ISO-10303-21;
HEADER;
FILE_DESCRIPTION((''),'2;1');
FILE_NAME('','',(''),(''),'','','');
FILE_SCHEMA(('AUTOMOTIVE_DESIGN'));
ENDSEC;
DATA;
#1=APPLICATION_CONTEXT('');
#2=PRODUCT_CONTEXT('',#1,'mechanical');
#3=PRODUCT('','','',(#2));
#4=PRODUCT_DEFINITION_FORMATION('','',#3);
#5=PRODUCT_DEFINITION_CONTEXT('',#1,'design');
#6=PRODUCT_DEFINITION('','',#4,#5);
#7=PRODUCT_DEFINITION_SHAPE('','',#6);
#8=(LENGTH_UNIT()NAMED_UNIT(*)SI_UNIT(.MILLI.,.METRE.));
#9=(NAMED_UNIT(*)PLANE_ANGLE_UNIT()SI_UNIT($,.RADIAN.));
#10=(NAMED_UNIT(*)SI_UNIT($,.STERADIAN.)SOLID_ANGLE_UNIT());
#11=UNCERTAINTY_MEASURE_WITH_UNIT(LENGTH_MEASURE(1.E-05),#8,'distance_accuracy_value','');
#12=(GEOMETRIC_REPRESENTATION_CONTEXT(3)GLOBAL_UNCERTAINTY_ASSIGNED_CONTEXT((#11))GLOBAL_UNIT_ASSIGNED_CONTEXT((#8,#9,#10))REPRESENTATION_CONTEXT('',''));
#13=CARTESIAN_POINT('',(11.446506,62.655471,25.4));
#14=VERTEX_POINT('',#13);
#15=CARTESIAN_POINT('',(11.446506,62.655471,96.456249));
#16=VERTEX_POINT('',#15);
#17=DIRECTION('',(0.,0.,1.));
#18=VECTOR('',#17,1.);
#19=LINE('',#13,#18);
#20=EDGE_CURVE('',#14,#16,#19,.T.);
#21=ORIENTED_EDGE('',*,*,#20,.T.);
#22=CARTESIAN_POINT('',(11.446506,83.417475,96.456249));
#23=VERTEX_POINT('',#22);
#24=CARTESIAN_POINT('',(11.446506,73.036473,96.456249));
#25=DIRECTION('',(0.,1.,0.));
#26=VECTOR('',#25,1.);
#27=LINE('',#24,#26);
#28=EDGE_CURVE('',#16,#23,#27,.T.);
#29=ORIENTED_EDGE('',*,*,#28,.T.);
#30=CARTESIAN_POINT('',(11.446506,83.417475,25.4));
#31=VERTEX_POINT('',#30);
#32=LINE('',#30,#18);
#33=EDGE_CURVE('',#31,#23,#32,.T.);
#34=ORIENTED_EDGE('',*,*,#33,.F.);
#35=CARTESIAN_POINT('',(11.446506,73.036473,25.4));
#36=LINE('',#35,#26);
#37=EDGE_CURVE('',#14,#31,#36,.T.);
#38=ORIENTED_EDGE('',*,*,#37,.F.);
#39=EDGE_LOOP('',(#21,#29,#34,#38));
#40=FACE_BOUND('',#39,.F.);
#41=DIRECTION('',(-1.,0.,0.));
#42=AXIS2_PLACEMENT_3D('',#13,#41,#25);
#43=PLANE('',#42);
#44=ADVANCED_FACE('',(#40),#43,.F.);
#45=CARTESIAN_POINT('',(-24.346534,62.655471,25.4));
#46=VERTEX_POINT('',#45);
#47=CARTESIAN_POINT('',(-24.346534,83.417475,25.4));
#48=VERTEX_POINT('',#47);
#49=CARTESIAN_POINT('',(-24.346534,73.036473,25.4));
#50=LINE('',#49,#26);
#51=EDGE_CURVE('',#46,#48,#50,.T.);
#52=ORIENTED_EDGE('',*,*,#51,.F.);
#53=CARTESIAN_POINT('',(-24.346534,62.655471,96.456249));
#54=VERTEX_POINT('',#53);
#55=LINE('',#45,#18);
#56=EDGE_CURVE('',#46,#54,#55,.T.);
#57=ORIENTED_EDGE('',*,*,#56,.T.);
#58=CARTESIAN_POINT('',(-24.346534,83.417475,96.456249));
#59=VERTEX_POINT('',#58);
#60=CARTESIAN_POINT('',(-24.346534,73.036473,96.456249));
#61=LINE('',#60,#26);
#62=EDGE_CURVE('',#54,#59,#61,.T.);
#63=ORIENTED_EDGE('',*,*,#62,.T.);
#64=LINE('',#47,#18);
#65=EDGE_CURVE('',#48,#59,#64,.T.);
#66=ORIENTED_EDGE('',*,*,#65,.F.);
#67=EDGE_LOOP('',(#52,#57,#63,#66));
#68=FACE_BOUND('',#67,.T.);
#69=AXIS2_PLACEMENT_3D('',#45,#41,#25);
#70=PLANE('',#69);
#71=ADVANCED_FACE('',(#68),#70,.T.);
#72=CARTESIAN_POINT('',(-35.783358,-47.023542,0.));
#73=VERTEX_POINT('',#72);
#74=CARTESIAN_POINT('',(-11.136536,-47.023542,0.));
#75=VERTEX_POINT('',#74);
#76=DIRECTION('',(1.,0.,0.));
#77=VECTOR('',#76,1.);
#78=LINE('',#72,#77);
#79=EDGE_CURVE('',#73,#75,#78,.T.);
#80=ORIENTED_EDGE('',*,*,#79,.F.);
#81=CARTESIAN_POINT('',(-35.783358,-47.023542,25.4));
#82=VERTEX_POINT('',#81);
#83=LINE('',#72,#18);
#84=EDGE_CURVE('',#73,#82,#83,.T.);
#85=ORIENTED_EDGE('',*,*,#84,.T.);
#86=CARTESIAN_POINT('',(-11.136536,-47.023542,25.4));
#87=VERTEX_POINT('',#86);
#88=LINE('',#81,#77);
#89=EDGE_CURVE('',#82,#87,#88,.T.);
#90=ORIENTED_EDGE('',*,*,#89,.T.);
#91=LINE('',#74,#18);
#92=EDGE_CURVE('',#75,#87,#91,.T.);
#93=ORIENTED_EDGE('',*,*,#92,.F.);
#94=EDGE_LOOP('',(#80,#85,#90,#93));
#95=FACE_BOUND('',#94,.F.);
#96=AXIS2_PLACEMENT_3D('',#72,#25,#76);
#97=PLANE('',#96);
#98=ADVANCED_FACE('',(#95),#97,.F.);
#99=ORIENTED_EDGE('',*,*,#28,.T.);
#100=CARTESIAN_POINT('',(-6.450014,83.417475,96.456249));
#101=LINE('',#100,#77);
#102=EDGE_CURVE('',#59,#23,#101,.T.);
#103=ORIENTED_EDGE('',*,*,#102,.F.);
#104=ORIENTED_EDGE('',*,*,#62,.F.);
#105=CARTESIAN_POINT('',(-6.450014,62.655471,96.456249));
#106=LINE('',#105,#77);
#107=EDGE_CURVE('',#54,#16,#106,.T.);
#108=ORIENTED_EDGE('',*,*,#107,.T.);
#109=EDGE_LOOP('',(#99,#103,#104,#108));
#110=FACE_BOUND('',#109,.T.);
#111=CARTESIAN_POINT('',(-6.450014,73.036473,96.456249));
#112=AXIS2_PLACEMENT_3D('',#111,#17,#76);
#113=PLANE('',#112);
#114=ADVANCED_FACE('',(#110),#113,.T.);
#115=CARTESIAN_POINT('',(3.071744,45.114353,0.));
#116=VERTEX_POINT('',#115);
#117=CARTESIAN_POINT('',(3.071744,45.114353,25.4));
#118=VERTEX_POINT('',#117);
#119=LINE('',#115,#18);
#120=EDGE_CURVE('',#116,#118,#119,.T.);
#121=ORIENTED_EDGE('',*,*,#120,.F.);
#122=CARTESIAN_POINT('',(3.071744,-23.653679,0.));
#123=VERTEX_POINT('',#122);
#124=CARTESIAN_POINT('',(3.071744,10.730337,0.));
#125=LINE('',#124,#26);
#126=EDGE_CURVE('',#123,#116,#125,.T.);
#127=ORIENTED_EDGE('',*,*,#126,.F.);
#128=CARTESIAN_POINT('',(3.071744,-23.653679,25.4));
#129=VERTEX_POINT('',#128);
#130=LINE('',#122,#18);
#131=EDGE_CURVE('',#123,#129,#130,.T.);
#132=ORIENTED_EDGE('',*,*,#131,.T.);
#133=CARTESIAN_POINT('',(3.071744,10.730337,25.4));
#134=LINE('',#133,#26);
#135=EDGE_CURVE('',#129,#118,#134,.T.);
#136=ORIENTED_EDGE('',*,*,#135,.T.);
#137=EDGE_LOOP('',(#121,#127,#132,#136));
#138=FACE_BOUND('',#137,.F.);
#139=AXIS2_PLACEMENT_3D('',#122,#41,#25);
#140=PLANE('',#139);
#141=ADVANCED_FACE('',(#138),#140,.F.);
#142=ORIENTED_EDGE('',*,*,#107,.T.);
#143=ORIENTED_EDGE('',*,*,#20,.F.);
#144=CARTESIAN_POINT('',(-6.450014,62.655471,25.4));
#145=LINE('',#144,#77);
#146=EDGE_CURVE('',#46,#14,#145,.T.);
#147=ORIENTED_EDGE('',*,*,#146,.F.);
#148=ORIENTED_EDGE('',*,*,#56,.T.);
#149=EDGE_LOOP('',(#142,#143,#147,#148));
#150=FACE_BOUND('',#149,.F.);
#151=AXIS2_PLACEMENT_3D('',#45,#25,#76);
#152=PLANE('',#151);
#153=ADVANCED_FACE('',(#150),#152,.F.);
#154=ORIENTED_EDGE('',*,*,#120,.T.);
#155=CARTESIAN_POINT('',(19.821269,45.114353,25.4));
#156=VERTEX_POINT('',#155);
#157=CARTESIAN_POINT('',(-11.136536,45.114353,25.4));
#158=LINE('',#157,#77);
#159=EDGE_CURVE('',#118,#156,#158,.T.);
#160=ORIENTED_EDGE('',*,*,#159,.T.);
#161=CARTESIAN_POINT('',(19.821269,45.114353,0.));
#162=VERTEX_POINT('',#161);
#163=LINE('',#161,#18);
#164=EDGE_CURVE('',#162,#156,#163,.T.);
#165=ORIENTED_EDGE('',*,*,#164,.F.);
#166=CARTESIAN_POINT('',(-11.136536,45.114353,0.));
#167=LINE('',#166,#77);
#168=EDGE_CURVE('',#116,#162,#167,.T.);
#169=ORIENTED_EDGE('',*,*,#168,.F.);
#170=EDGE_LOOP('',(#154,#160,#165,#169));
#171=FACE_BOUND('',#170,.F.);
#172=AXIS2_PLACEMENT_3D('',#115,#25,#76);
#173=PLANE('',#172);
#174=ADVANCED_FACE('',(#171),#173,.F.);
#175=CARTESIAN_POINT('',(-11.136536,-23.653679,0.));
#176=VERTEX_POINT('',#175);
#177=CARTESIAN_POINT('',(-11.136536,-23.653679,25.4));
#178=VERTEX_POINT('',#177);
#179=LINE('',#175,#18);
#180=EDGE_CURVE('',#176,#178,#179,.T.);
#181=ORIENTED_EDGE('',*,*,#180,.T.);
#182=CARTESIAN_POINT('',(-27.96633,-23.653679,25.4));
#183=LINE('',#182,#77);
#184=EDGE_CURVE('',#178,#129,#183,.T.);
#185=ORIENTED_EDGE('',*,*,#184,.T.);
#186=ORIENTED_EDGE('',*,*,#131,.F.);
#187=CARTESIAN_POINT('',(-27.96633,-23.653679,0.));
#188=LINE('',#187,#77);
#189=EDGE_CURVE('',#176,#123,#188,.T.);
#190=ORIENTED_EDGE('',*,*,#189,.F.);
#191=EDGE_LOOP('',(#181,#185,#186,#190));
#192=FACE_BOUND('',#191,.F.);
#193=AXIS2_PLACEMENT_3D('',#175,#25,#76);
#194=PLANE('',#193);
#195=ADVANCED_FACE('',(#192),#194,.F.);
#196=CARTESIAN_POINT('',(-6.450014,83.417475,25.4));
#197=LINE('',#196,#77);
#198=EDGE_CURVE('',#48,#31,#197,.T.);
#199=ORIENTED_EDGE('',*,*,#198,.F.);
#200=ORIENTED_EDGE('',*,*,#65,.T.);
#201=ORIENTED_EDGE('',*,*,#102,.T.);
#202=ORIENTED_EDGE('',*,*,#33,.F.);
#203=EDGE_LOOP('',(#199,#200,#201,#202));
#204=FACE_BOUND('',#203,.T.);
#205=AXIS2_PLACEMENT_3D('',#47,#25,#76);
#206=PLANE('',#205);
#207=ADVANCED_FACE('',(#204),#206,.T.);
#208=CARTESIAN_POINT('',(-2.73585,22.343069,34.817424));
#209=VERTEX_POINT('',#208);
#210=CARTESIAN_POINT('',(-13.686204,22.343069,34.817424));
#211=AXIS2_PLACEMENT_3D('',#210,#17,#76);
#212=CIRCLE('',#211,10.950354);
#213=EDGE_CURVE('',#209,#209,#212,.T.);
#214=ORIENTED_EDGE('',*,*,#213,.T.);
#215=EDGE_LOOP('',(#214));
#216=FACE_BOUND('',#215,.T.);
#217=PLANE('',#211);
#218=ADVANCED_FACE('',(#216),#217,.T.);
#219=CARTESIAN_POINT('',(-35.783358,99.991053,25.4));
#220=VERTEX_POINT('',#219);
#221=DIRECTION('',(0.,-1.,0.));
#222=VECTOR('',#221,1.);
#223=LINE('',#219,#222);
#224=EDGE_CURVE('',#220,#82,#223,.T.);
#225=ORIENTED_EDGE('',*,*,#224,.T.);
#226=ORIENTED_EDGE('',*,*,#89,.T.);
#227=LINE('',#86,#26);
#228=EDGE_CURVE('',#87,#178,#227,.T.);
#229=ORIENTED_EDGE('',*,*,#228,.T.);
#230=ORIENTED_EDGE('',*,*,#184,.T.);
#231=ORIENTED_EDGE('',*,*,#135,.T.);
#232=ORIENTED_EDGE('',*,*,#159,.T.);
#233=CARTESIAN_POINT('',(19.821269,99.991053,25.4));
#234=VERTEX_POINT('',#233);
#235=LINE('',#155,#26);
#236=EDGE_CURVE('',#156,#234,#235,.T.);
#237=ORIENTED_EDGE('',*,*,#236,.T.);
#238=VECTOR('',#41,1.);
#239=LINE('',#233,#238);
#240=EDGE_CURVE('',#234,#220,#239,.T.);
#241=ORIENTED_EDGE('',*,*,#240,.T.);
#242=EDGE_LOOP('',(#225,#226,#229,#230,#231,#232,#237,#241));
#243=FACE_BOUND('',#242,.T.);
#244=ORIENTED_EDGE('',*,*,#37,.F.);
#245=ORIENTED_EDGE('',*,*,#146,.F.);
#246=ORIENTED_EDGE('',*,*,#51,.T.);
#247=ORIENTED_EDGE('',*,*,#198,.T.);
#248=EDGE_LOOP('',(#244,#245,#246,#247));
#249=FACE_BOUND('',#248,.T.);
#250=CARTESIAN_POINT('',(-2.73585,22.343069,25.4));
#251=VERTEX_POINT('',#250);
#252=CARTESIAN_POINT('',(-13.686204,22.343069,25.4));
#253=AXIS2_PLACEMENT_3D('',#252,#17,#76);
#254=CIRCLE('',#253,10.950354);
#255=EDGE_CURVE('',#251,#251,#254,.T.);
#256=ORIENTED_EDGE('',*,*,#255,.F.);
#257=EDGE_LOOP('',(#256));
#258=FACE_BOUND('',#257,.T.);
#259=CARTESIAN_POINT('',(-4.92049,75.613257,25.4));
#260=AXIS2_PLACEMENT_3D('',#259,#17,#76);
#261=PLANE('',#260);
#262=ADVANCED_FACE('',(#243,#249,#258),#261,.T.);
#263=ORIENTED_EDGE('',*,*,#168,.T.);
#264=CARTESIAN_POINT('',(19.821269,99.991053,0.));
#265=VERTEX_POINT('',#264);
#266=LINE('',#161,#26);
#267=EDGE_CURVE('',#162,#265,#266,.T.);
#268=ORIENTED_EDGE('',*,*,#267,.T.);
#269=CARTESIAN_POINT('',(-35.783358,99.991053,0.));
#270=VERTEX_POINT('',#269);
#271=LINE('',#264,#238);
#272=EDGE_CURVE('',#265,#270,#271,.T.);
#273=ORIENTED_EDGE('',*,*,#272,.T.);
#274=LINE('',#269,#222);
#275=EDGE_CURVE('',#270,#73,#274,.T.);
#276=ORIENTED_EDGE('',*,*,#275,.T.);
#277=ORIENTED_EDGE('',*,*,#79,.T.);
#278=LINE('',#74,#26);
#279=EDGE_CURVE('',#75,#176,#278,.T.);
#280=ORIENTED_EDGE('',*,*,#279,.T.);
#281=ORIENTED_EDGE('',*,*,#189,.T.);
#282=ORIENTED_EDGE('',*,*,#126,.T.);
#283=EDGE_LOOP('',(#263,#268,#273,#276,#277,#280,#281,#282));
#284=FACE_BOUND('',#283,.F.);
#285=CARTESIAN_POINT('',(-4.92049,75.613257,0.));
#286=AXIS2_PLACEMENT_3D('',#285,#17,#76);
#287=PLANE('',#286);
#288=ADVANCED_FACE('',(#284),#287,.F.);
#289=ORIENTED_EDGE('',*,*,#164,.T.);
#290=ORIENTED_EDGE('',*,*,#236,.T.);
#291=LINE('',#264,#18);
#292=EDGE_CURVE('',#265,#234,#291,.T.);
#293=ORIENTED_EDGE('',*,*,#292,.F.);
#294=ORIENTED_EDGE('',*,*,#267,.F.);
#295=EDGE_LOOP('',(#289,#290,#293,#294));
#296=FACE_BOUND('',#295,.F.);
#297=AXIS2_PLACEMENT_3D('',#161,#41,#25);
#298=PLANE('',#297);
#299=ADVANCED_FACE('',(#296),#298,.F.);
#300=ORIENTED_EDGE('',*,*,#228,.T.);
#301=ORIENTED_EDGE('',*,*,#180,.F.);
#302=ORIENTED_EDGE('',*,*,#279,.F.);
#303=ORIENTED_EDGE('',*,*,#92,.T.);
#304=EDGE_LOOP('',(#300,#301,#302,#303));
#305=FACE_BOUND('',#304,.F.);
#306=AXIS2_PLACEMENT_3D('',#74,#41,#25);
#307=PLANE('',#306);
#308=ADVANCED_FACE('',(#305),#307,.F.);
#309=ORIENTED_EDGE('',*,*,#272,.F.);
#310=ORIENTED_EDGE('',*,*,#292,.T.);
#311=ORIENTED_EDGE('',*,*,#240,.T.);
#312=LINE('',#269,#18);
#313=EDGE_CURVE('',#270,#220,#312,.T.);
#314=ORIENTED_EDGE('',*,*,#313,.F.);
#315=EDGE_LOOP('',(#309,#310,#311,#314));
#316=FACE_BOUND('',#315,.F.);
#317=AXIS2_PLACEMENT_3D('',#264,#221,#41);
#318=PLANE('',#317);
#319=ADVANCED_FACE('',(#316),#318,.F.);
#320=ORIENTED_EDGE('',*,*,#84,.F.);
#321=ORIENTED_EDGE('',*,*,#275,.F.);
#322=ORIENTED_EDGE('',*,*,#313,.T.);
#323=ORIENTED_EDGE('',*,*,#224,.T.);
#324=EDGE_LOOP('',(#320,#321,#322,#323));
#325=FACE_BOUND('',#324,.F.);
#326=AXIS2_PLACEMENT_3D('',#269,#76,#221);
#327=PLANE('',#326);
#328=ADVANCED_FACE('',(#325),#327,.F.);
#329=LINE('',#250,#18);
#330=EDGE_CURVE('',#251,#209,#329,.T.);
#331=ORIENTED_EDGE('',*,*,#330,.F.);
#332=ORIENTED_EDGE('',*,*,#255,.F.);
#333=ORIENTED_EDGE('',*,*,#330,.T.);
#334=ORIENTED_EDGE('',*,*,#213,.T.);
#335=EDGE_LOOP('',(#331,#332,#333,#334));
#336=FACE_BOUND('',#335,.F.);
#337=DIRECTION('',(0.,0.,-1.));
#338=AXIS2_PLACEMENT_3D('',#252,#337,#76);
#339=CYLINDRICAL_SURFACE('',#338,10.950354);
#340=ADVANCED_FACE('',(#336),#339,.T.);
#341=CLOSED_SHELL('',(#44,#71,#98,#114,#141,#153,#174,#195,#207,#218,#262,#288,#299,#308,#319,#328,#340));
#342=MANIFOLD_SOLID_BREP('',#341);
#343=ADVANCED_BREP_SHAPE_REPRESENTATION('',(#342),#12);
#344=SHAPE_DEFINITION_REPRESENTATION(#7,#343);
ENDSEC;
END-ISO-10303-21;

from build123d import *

# Parameters (mm, degrees)
F0_W     = 14.2082790844
F0_H     = 68.7680318952
F0_W_2   = 16.8297942728
F1_DEPTH = 25.4
F2_R     = 10.9503541364
F3_DEPTH = 9.4174239784
F5_W     = 35.7930406462
F5_H     = 20.7620039582
F6_DEPTH = 71.0562486202


with BuildPart() as f1:
    # F0 (on Top) → F1 (new body)
    with BuildSketch(Plane.XY):
        Polygon((3.0717435293, 45.1143532991), (19.8212694377, 45.1143532991), (19.8212694377, 99.9910533428), (-35.7833579183, 99.9910533428), (-35.7833579183, 72.552703321), (-11.1365355551, 72.552703321), (-11.1365355551, 45.1143532991), align=None)
        with Locations((-4.0323960129, 10.7303373516)):
            Rectangle(F0_W, F0_H)
        with Locations((-19.5514326915, 10.7303373516)):
            Rectangle(F0_W_2, F0_H)
        Polygon((-27.9663298279, 45.1143532991), (-11.1365355551, 45.1143532991), (-11.1365355551, 72.552703321), (-35.7833579183, 72.552703321), (-35.7833579183, 45.1143532991), align=None)
        Polygon((-27.9663298279, -23.653678596), (-27.9663298279, 45.1143532991), (-35.7833579183, 45.1143532991), (-35.7833579183, 0), (-35.7833579183, -47.0235422254), (-11.1365355551, -47.0235422254), (-11.1365355551, -23.653678596), align=None)
    extrude(amount=F1_DEPTH)

    # F2 (on face) → F3 (join)
    with BuildSketch(Plane.XY.offset(25.4)):
        with Locations((-13.6862043291, 22.343069315)):
            Circle(F2_R)
    extrude(amount=F3_DEPTH)

    # F5 (on face) → F6 (join)
    with BuildSketch(Plane.XY.offset(25.4)):
        with Locations((-6.4500138396, 73.0364732444)):
            Rectangle(F5_W, F5_H)
    extrude(amount=F6_DEPTH)


solid = f1.part
